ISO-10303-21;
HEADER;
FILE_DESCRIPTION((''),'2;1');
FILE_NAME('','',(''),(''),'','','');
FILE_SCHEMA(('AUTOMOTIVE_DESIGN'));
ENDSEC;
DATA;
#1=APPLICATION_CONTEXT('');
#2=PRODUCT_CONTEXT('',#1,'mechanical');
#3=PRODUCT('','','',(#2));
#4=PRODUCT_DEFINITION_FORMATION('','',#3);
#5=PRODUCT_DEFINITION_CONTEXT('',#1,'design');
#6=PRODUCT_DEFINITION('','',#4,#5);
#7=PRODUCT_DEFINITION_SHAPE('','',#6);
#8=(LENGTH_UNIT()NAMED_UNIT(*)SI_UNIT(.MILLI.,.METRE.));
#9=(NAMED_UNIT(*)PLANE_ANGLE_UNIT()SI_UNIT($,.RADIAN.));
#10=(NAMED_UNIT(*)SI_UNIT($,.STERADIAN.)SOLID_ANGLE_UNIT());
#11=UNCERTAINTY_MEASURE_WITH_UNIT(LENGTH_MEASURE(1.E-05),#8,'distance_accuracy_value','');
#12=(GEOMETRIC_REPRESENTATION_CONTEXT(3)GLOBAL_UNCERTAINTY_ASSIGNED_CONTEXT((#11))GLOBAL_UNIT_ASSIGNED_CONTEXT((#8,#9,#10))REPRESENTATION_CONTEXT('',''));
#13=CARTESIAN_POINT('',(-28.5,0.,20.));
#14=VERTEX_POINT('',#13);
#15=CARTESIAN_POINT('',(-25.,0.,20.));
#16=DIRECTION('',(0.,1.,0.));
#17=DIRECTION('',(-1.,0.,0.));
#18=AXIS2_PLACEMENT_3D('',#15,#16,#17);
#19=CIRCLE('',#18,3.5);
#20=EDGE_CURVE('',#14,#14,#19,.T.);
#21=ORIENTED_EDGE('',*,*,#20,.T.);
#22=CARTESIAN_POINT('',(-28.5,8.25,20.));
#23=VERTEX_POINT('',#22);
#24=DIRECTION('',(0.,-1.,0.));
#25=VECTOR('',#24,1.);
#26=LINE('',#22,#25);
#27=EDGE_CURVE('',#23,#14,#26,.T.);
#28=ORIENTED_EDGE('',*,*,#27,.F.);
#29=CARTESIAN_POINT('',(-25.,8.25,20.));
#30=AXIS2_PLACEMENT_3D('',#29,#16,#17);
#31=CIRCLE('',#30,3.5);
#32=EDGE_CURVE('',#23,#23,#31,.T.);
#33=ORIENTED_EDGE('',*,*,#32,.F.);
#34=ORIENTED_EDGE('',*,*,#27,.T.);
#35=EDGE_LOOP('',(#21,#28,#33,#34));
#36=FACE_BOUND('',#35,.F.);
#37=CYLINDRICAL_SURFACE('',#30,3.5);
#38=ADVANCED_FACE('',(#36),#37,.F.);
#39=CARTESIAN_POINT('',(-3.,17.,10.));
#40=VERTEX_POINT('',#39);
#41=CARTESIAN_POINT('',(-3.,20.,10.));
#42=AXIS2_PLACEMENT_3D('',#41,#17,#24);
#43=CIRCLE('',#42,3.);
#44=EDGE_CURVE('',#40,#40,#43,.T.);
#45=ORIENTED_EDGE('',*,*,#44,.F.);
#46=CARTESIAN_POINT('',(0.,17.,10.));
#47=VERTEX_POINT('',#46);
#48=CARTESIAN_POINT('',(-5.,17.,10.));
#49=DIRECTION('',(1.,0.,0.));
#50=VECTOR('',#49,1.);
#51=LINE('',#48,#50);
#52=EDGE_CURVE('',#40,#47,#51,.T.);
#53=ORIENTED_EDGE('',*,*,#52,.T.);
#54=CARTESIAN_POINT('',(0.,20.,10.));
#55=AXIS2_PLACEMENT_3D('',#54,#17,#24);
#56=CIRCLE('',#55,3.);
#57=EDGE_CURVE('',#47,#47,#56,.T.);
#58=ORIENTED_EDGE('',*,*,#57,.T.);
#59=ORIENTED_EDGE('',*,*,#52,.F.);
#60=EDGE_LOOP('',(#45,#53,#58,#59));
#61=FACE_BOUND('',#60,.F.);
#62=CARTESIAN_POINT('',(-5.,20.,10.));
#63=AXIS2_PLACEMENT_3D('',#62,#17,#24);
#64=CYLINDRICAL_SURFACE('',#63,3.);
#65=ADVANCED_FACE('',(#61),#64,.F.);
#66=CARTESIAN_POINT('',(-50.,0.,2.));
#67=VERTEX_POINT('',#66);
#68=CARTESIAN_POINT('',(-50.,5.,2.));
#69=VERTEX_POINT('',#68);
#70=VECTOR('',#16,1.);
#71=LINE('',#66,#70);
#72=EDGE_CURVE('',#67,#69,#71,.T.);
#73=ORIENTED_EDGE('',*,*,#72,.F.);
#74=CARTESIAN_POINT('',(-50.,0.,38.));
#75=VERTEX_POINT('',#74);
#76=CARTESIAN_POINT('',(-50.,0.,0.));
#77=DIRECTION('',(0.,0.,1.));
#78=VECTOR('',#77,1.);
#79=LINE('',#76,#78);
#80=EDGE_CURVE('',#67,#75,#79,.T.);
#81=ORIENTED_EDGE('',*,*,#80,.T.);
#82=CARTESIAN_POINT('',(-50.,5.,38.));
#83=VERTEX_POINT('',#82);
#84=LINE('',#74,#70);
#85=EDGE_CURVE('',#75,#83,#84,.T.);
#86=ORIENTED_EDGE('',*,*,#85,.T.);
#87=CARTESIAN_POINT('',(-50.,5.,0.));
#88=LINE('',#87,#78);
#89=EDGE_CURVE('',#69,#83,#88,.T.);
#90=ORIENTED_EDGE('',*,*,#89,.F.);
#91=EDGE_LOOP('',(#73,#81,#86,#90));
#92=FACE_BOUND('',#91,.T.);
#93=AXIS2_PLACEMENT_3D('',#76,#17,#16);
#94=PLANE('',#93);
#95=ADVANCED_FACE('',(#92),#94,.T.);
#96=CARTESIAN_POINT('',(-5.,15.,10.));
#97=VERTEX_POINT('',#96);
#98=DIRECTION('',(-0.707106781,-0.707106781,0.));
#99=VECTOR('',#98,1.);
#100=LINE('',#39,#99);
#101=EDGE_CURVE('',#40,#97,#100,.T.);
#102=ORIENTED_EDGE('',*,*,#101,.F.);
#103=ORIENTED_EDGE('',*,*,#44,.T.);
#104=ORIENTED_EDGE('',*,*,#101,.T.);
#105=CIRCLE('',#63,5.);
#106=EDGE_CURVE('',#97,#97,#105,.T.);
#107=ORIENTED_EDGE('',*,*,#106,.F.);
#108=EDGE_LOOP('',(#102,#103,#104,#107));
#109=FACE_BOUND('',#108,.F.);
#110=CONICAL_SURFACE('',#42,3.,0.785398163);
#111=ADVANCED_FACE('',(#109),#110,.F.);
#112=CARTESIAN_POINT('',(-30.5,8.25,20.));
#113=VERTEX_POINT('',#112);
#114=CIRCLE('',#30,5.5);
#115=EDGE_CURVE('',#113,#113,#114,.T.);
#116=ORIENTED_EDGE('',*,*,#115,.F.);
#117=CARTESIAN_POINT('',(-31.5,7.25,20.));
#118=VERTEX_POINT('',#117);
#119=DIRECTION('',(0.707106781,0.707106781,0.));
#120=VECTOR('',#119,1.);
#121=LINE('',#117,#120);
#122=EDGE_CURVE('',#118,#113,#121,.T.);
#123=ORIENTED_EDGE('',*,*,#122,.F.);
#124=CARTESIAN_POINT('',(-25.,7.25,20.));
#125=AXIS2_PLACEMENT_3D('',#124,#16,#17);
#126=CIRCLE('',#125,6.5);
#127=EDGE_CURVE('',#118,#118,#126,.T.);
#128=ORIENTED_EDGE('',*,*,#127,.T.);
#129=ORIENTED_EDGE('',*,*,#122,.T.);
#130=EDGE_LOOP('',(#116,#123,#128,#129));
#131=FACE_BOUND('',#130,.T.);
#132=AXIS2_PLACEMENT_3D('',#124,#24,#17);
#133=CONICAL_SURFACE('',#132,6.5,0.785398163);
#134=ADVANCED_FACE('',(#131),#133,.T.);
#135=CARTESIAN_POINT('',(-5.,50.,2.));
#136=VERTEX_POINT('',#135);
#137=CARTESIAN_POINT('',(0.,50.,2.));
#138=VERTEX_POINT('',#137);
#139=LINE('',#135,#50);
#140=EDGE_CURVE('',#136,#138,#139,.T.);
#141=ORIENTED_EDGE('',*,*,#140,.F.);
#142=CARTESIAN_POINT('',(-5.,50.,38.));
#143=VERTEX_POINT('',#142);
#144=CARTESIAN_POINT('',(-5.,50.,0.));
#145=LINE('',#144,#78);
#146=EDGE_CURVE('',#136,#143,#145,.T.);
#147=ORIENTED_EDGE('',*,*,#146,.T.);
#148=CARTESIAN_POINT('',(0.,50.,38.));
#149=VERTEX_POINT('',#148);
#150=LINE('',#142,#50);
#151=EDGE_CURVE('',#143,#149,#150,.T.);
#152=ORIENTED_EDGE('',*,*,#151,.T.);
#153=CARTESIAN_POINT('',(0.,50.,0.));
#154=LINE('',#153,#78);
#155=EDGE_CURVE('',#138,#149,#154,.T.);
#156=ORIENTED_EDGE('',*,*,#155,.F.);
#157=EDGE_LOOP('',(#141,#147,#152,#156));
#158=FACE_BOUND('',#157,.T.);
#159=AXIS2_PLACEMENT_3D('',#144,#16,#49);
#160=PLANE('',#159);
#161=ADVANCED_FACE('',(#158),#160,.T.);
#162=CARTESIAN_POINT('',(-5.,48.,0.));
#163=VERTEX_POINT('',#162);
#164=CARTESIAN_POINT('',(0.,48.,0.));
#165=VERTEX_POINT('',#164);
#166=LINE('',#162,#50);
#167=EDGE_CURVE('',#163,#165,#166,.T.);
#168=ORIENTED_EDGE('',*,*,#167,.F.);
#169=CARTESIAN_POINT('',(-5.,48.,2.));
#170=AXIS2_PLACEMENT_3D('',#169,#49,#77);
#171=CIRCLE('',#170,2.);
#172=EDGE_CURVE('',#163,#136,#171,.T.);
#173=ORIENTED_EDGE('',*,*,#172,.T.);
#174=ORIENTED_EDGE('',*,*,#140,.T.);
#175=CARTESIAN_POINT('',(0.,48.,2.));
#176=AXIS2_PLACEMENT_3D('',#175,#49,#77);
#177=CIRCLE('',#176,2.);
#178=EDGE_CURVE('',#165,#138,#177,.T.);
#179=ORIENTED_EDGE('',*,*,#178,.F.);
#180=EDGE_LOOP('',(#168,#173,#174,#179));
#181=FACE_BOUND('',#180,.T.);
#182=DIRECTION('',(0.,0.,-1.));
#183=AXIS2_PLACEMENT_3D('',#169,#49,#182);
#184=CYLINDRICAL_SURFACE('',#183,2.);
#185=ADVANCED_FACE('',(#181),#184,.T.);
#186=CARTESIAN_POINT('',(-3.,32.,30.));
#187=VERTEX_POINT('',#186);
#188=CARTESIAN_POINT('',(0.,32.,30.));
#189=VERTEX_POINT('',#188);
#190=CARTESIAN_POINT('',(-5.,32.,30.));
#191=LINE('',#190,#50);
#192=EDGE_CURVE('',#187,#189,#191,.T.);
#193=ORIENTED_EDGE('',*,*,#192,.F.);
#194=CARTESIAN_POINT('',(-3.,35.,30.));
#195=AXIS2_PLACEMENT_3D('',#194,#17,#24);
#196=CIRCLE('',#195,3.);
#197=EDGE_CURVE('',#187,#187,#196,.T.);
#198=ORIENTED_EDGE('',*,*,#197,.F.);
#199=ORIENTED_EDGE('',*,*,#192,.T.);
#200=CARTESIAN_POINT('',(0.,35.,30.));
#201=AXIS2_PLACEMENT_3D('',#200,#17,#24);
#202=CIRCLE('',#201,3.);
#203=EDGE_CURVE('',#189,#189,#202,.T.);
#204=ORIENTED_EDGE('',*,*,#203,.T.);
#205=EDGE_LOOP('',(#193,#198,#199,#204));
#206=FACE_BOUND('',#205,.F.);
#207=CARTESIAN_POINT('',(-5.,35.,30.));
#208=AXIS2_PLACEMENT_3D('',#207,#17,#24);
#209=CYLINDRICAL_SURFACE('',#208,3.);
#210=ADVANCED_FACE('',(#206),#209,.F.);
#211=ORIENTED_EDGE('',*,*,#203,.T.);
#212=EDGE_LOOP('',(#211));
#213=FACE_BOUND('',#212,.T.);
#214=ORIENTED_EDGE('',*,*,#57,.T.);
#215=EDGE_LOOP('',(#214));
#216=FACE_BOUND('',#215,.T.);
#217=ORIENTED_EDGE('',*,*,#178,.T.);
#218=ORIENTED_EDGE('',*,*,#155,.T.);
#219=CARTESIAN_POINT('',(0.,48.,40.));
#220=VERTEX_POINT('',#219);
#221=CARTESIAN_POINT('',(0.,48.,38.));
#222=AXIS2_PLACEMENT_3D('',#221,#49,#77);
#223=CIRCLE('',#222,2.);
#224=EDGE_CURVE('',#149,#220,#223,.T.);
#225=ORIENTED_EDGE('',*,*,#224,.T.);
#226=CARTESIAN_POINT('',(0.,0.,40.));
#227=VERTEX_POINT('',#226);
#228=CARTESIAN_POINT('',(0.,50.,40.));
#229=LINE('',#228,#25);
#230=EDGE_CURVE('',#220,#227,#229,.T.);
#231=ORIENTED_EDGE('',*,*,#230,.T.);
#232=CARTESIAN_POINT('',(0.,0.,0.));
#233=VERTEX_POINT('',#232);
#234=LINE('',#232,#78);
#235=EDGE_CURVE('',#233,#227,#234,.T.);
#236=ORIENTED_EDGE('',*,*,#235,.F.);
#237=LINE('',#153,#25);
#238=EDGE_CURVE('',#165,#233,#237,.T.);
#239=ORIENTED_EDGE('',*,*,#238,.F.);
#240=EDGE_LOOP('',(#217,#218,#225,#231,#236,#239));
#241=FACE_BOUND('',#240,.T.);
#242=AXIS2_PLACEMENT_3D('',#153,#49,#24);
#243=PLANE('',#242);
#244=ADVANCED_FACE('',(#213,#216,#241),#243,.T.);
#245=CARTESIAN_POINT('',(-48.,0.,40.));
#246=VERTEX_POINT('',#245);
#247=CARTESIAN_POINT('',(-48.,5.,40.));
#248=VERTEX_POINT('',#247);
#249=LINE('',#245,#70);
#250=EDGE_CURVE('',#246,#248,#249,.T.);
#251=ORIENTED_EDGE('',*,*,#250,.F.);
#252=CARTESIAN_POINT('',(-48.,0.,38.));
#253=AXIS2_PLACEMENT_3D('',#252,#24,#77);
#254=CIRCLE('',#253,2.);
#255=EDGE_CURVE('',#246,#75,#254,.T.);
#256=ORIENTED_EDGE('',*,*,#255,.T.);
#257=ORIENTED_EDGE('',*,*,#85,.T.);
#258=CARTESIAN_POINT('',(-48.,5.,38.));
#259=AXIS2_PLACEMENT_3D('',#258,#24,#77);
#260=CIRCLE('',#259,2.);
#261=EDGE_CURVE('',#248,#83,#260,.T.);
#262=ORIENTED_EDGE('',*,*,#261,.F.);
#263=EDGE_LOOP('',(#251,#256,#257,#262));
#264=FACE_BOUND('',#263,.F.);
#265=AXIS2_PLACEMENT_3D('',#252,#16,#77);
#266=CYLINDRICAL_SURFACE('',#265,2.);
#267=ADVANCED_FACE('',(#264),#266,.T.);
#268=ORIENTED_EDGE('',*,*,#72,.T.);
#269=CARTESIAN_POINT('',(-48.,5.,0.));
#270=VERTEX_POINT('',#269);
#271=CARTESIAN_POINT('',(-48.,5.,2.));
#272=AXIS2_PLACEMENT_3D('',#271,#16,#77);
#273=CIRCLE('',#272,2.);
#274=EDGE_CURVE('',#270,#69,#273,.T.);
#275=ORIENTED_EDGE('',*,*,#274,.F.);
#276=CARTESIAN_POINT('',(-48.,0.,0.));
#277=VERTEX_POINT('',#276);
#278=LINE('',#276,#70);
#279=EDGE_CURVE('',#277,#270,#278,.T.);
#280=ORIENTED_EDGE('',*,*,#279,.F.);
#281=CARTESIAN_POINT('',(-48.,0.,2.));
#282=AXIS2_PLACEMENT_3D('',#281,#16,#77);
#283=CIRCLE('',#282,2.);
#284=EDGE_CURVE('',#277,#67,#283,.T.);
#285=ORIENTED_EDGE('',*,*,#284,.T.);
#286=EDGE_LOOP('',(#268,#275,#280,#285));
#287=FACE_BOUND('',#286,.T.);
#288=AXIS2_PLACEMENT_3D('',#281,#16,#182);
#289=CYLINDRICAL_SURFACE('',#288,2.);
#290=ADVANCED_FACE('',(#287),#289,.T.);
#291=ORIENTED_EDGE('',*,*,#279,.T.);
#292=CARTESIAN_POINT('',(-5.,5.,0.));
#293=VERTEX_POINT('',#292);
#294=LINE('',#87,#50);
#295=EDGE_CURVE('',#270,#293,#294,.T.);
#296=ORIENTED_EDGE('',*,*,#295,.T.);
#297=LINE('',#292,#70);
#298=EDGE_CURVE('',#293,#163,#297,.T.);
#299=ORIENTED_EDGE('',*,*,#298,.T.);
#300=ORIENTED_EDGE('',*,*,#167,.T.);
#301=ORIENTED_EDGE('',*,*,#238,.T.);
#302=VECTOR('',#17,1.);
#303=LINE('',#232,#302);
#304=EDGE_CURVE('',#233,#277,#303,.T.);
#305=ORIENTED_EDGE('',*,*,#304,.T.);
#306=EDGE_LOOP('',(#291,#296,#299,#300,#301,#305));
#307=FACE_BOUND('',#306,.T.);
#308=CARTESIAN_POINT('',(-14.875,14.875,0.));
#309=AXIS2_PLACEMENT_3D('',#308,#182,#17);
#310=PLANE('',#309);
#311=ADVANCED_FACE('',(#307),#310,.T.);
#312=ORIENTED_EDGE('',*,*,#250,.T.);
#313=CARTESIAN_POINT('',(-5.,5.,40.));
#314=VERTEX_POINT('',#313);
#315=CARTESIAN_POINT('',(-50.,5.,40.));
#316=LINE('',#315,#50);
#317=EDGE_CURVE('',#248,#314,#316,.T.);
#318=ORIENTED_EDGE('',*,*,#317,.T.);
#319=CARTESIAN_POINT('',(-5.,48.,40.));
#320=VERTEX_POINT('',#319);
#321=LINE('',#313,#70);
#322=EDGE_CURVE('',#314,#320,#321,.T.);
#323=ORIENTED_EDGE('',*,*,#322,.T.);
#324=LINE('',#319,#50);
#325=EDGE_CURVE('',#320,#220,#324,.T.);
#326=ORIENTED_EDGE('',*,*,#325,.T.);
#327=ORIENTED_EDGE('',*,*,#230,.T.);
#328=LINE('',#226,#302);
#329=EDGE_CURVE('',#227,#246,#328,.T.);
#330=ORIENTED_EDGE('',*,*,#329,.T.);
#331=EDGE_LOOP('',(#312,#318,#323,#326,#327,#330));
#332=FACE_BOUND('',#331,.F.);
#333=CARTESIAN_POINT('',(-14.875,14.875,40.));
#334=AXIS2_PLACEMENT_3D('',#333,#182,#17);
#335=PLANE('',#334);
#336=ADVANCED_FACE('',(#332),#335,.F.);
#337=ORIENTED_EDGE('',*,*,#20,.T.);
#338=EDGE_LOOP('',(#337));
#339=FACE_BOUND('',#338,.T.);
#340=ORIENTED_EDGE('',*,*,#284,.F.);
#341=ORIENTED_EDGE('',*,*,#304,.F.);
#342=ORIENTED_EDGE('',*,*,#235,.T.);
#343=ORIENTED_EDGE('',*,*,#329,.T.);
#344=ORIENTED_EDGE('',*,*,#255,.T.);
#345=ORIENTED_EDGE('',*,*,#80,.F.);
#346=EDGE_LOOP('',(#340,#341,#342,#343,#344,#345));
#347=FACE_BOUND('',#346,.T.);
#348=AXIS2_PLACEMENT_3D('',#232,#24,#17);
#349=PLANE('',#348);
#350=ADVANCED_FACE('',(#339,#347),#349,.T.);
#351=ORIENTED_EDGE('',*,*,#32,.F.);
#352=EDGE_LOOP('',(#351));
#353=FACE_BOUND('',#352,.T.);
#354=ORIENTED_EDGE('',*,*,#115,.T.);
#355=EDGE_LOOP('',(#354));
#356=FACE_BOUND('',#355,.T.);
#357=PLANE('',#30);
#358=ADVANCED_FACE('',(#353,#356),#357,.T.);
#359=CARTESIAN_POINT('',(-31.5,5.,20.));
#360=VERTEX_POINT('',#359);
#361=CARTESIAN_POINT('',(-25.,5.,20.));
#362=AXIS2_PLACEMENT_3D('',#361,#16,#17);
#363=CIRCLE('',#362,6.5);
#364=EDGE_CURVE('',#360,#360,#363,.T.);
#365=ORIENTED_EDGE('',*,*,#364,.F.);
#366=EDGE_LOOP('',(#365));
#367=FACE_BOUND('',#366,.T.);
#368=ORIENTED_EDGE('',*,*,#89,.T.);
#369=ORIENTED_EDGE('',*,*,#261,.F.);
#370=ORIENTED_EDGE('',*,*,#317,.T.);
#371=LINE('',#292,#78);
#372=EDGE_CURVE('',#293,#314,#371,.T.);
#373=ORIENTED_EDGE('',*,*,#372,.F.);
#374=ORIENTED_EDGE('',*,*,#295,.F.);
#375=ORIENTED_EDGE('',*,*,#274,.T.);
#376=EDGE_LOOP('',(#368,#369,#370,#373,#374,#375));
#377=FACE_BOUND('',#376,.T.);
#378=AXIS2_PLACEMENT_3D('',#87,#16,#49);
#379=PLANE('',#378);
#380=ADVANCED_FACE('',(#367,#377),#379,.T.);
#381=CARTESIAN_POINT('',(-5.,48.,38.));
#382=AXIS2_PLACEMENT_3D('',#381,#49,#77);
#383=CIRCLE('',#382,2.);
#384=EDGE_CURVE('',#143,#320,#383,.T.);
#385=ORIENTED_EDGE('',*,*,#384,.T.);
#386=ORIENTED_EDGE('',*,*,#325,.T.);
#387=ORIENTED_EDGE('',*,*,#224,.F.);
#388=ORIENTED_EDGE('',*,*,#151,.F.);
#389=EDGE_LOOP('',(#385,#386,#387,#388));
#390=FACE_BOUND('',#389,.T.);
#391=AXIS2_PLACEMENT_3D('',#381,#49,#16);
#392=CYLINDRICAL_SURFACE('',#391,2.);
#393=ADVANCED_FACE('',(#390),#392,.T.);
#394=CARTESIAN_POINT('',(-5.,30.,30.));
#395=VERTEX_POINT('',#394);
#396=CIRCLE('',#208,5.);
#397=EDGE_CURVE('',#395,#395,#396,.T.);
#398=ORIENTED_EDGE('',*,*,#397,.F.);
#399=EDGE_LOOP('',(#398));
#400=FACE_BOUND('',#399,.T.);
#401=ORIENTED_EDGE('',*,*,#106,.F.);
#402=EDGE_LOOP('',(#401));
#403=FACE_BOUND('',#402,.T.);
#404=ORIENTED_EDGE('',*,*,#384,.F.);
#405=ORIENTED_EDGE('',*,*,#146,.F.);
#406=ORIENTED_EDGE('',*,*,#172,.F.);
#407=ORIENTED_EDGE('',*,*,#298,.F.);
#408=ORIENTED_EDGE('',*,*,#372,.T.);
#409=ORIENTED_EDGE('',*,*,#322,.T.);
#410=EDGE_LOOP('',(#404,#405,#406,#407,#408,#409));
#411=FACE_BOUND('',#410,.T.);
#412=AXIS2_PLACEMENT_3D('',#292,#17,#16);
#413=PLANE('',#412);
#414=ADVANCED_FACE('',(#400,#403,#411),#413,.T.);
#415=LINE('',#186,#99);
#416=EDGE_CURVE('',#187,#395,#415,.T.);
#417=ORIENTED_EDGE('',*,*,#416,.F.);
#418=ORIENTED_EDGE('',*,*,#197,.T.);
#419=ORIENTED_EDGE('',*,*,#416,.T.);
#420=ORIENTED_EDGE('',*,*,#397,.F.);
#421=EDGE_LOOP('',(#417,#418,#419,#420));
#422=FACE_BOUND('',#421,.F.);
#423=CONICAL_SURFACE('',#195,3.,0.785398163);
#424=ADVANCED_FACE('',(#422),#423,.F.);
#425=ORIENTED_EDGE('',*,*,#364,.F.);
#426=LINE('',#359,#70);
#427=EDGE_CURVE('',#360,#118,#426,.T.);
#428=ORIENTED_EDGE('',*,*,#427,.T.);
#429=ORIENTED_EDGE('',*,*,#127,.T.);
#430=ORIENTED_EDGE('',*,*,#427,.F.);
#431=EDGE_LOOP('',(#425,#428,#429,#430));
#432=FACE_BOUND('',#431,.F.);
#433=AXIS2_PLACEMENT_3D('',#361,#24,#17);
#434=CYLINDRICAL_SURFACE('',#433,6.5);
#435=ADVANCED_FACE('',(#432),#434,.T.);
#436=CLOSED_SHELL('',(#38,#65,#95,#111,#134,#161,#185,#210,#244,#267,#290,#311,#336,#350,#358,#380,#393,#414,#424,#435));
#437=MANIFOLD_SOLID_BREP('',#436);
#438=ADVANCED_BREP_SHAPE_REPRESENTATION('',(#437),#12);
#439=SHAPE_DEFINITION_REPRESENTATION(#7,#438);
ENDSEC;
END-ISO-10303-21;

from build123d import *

# Parameters (mm, degrees)
PAD_DEPTH       = 40
SKETCH002_R     = 6.5
PAD001_DEPTH    = 3.25
SKETCH003_R     = 3.5
POCKET_DEPTH    = 8.251
SKETCH004_R     = 3
POCKET001_DEPTH = 5
CHAMFER_SIZE    = 2
FILLET_R        = 2
FILLET001_R     = 2
CHAMFER001_SIZE = 1


with BuildPart() as part:
    # Sketch → Pad (new body)
    with BuildSketch(Plane.XY):
        Polygon((0, 50), (0, 0), (-50, 0), (-50, 5), (-5, 5), (-5, 50), align=None)
    extrude(amount=PAD_DEPTH)

    # Sketch002 (on Face4 of Pad) → Pad001 (join)
    with BuildSketch(Plane(origin=(0, 5, 0), x_dir=(-1, 0, 0), z_dir=(0, 1, 0))):
        with Locations((25, 20)):
            Circle(SKETCH002_R)
    extrude(amount=PAD001_DEPTH)

    # Sketch003 (on Face10 of Pad001) → Pocket (cut, through all)
    with BuildSketch(Plane(origin=(0, 8.25, 0), x_dir=(-1, 0, 0), z_dir=(0, 1, 0))):
        with Locations((25, 20)):
            Circle(SKETCH003_R)
    extrude(amount=-POCKET_DEPTH, mode=Mode.SUBTRACT)

    # Sketch004 (on Face6 of Pocket) → Pocket001 (cut)
    with BuildSketch(Plane(origin=(-5, 0, 0), x_dir=(0, -1, 0), z_dir=(-1, 0, 0))):
        with Locations((-35, 30)):
            Circle(SKETCH004_R)
        with Locations((-20, 10)):
            Circle(SKETCH004_R)
    extrude(amount=-POCKET001_DEPTH, mode=Mode.SUBTRACT)

    # Chamfer
    chamfer_edges = [part.edges().sort_by_distance(p)[0] for p in [
        (-5, 23, 10),
        (-5, 38, 30),
    ]]
    chamfer(chamfer_edges, length=CHAMFER_SIZE)

    # Fillet
    fillet_edges = [part.edges().sort_by_distance(p)[0] for p in [
        (-50, 2.5, 40),
        (-50, 2.5, 0),
    ]]
    fillet(fillet_edges, radius=FILLET_R)

    # Fillet001
    fillet001_edges = [part.edges().sort_by_distance(p)[0] for p in [
        (-2.5, 50, 40),
        (-2.5, 50, 0),
    ]]
    fillet(fillet001_edges, radius=FILLET001_R)

    # Chamfer001
    chamfer001_edges = [part.edges().sort_by_distance(p)[0] for p in [
        (-18.5, 8.25, 20),
    ]]
    chamfer(chamfer001_edges, length=CHAMFER001_SIZE)


solid = part.part
